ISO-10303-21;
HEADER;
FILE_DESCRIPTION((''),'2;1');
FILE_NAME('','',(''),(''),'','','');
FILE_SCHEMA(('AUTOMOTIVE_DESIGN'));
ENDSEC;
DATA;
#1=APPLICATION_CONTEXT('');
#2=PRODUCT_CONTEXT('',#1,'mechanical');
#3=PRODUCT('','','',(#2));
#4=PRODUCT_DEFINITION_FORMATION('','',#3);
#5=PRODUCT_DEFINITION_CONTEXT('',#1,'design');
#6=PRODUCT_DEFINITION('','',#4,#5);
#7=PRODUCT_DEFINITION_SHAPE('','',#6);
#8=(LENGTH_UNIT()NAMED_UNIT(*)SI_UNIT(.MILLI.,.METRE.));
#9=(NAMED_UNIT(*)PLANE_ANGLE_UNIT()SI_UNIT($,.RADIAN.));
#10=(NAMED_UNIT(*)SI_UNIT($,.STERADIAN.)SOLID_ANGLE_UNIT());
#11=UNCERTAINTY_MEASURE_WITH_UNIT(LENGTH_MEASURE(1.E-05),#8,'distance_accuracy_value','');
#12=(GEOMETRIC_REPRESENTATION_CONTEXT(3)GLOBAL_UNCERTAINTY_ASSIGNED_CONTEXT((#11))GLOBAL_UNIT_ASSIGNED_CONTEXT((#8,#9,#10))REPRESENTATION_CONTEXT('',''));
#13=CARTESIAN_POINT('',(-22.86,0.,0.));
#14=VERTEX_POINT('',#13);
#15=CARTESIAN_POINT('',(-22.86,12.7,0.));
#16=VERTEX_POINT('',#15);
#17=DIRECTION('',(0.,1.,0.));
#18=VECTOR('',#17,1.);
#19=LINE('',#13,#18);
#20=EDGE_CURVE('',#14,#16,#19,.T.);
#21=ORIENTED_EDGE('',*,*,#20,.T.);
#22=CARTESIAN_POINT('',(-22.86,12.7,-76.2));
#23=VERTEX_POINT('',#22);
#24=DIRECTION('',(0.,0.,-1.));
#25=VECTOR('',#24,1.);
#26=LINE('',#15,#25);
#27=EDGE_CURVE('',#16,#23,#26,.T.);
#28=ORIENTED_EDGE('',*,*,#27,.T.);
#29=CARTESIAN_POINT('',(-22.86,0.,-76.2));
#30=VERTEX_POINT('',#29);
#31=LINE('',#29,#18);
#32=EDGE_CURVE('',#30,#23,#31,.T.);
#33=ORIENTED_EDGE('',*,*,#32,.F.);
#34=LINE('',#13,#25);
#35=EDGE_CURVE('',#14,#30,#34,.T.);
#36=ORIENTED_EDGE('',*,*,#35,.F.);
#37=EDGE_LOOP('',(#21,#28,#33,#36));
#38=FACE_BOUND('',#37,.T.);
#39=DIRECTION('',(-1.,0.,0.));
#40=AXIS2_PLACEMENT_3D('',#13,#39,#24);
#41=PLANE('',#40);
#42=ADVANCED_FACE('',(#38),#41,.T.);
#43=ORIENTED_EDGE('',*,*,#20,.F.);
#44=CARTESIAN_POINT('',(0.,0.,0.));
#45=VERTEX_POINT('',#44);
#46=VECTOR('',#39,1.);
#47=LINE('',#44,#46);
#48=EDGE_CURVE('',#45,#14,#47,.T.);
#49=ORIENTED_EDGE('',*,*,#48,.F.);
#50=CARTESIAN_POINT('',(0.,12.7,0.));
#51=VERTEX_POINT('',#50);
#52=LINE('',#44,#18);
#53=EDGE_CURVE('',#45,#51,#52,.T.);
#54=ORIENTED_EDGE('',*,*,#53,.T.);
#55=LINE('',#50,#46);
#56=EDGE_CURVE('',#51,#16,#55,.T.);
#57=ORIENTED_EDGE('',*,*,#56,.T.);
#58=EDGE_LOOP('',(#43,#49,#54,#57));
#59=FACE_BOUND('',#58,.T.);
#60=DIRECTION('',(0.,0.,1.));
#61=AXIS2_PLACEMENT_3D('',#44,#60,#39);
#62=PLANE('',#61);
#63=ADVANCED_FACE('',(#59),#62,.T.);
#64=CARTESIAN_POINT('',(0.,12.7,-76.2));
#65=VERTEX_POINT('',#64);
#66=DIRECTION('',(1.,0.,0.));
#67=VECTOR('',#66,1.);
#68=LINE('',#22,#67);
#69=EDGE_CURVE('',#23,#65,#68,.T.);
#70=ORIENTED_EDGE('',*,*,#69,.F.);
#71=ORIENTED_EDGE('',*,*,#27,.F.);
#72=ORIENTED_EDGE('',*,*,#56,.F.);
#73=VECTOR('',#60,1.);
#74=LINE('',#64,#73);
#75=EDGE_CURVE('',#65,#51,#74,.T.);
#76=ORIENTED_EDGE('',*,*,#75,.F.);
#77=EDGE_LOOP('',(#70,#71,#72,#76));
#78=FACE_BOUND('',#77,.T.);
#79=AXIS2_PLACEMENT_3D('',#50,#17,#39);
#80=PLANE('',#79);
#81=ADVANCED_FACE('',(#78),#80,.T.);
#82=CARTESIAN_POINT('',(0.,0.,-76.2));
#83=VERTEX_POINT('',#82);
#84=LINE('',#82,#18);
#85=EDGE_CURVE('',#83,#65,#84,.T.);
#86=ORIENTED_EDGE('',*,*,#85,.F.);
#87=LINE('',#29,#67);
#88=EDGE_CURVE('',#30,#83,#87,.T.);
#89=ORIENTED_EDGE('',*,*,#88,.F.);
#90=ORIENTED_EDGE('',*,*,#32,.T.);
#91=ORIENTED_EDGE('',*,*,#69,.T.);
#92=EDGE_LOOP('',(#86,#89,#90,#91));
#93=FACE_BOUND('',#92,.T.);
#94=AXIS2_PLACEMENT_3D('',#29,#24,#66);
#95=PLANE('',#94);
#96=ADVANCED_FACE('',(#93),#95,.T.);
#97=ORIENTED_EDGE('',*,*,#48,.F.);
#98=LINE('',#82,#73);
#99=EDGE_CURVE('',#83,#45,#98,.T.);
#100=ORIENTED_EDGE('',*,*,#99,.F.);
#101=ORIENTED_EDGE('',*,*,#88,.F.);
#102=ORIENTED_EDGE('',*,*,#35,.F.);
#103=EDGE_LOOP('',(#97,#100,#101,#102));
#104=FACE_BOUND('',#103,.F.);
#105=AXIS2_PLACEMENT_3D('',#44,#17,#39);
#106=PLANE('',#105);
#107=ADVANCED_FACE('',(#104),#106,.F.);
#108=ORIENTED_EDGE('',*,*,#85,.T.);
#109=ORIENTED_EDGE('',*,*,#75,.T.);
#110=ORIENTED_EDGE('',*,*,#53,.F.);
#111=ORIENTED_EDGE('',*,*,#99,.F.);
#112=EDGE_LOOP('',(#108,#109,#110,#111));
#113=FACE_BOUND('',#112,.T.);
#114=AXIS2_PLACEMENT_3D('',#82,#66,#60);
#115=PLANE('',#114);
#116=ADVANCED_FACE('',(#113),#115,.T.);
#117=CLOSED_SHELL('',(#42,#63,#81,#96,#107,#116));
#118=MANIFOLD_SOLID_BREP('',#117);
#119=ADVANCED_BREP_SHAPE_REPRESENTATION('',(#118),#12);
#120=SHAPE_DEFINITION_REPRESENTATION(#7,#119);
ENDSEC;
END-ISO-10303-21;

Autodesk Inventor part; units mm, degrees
ref_plane "YZ Plane" through (0, 0, 0) normal (1, 0, 0) x (0, 1, 0)
ref_plane "XZ Plane" through (0, 0, 0) normal (0, 1, 0) x (-1, 0, 0)
ref_plane "XY Plane" through (0, 0, 0) normal (0, 0, 1) x (1, 0, 0)
sketch "Sketch1" plane through (0, 0, 0) normal (0, 1, 0) x (-1, 0, 0)
  line L0 (0, 0) -> (22.86, 0)
  line L1 (22.86, 0) -> (22.86, -76.2)
  line L2 (22.86, -76.2) -> (0, -76.2)
  line L3 (0, -76.2) -> (0, 0)
  dimension "d0" = 22.86
  dimension "d1" = 76.2
extrude "Extrusion1" add sketch "Sketch1" along normal blind 12.7
properties part number "terminalblock1"
